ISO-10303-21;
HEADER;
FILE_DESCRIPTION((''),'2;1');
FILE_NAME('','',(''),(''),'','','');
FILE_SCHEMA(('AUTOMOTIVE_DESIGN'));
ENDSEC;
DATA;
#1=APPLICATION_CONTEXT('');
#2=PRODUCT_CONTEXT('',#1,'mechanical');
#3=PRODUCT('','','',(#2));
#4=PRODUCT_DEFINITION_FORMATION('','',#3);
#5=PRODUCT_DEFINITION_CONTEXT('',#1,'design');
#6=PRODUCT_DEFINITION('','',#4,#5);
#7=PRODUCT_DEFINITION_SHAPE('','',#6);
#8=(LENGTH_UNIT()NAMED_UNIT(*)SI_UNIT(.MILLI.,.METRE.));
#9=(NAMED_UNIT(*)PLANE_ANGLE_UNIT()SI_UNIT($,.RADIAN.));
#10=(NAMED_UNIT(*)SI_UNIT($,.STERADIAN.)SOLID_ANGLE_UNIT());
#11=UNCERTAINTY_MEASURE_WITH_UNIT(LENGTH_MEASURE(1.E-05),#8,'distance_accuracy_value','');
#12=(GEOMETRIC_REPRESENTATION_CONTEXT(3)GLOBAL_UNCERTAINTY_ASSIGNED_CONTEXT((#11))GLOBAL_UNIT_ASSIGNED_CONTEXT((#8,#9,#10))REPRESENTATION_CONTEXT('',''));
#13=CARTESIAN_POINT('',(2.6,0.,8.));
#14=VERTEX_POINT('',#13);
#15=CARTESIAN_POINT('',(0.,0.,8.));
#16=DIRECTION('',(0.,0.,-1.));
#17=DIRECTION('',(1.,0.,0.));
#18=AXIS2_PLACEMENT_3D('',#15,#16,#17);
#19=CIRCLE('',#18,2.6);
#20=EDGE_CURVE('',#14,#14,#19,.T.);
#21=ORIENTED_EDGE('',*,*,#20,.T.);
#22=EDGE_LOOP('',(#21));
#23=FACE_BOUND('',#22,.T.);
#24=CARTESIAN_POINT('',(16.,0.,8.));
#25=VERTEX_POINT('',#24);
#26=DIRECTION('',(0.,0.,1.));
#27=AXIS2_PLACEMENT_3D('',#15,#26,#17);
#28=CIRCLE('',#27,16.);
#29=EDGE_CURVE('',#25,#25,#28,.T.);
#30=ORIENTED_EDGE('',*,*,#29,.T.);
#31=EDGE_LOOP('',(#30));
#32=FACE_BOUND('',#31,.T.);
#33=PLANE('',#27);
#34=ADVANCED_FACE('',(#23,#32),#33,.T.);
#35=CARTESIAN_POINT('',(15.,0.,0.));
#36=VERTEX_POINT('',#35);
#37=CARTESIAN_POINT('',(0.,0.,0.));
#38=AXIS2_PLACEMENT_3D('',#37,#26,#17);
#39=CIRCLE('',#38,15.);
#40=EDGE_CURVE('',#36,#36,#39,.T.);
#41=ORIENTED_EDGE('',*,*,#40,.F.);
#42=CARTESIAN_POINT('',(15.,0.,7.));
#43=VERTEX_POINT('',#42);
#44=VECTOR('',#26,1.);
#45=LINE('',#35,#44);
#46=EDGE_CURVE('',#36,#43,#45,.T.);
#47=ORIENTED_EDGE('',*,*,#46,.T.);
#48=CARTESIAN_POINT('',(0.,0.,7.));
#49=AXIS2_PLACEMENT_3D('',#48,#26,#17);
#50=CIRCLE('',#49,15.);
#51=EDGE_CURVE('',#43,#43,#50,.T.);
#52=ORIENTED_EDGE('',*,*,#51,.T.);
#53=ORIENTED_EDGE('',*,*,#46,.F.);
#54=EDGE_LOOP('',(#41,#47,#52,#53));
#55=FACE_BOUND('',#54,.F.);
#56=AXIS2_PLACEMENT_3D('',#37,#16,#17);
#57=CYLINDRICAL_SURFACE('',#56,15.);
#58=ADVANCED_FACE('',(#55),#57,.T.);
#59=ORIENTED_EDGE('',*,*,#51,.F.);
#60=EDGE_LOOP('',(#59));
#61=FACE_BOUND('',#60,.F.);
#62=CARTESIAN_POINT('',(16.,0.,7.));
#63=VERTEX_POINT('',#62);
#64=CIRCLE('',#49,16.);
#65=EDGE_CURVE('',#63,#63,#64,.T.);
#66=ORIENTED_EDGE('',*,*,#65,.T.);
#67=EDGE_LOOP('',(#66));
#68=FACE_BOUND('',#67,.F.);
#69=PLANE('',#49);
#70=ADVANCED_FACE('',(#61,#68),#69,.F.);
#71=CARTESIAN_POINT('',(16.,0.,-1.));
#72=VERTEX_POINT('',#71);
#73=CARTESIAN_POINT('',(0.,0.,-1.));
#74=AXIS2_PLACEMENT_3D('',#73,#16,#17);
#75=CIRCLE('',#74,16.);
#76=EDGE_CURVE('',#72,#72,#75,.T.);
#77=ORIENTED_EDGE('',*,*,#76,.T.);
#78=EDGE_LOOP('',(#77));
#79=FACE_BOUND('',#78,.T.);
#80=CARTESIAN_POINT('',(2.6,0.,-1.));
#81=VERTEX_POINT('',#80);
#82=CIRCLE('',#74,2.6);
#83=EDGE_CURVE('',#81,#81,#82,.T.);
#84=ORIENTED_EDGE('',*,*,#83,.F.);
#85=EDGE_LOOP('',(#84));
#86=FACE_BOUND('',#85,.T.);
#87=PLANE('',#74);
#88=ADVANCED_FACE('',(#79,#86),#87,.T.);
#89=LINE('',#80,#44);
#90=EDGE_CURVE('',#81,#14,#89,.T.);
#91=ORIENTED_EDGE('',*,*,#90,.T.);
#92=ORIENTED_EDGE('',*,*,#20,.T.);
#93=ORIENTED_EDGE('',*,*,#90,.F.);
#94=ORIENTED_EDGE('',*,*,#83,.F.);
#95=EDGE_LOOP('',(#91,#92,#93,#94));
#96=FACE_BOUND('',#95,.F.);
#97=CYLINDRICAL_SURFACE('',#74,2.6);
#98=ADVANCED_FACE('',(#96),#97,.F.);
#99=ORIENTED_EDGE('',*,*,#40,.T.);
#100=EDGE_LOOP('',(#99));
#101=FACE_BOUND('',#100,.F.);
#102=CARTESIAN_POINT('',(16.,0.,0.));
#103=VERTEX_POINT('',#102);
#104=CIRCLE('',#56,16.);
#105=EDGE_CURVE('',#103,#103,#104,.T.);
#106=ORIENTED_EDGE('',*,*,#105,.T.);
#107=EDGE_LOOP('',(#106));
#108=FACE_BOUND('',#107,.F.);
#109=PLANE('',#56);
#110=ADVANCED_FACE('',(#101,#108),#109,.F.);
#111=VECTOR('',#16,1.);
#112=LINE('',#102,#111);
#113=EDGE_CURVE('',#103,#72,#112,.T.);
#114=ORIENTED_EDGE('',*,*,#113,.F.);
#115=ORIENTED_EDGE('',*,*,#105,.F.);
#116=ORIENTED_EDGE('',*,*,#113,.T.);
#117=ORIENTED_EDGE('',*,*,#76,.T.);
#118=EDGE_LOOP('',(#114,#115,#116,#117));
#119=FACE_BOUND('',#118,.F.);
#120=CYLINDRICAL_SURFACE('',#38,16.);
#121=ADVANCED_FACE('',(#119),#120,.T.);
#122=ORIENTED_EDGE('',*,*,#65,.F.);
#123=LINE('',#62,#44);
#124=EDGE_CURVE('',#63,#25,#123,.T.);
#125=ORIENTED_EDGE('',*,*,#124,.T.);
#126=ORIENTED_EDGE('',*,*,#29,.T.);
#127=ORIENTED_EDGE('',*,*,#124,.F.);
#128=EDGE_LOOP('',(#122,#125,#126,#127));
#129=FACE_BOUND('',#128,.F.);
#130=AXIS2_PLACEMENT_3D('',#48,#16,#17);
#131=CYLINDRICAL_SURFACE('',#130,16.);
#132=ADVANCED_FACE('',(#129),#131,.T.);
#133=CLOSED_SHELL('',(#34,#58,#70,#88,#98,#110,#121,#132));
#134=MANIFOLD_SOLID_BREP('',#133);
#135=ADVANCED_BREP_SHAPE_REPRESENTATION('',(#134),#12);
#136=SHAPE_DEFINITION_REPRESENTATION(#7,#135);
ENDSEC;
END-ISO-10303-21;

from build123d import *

# Parameters (mm, degrees)
SKETCH_R     = 15
PAD_DEPTH    = 7
SKETCH001_R  = 16
PAD001_DEPTH = 1
SKETCH002_R  = 16
PAD002_DEPTH = 1
SKETCH003_R  = 2.6
POCKET_DEPTH = 9.001


with BuildPart() as part:
    # Sketch → Pad (new body)
    with BuildSketch(Plane.XY):
        Circle(SKETCH_R)
    extrude(amount=PAD_DEPTH)

    # Sketch001 (on Face3 of Pad) → Pad001 (join)
    with BuildSketch(Plane.XY.offset(7)):
        Circle(SKETCH001_R)
    extrude(amount=PAD001_DEPTH)

    # Sketch002 (on Face2 of Pad001) → Pad002 (join)
    with BuildSketch(Plane(origin=(0, 0, 0), x_dir=(1, 0, 0), z_dir=(0, 0, -1))):
        Circle(SKETCH002_R)
    extrude(amount=PAD002_DEPTH)

    # Sketch003 (on Face6 of Pad002) → Pocket (cut, through all)
    with BuildSketch(Plane(origin=(0, 0, -1), x_dir=(1, 0, 0), z_dir=(0, 0, -1))):
        Circle(SKETCH003_R)
    extrude(amount=-POCKET_DEPTH, mode=Mode.SUBTRACT)


solid = part.part
